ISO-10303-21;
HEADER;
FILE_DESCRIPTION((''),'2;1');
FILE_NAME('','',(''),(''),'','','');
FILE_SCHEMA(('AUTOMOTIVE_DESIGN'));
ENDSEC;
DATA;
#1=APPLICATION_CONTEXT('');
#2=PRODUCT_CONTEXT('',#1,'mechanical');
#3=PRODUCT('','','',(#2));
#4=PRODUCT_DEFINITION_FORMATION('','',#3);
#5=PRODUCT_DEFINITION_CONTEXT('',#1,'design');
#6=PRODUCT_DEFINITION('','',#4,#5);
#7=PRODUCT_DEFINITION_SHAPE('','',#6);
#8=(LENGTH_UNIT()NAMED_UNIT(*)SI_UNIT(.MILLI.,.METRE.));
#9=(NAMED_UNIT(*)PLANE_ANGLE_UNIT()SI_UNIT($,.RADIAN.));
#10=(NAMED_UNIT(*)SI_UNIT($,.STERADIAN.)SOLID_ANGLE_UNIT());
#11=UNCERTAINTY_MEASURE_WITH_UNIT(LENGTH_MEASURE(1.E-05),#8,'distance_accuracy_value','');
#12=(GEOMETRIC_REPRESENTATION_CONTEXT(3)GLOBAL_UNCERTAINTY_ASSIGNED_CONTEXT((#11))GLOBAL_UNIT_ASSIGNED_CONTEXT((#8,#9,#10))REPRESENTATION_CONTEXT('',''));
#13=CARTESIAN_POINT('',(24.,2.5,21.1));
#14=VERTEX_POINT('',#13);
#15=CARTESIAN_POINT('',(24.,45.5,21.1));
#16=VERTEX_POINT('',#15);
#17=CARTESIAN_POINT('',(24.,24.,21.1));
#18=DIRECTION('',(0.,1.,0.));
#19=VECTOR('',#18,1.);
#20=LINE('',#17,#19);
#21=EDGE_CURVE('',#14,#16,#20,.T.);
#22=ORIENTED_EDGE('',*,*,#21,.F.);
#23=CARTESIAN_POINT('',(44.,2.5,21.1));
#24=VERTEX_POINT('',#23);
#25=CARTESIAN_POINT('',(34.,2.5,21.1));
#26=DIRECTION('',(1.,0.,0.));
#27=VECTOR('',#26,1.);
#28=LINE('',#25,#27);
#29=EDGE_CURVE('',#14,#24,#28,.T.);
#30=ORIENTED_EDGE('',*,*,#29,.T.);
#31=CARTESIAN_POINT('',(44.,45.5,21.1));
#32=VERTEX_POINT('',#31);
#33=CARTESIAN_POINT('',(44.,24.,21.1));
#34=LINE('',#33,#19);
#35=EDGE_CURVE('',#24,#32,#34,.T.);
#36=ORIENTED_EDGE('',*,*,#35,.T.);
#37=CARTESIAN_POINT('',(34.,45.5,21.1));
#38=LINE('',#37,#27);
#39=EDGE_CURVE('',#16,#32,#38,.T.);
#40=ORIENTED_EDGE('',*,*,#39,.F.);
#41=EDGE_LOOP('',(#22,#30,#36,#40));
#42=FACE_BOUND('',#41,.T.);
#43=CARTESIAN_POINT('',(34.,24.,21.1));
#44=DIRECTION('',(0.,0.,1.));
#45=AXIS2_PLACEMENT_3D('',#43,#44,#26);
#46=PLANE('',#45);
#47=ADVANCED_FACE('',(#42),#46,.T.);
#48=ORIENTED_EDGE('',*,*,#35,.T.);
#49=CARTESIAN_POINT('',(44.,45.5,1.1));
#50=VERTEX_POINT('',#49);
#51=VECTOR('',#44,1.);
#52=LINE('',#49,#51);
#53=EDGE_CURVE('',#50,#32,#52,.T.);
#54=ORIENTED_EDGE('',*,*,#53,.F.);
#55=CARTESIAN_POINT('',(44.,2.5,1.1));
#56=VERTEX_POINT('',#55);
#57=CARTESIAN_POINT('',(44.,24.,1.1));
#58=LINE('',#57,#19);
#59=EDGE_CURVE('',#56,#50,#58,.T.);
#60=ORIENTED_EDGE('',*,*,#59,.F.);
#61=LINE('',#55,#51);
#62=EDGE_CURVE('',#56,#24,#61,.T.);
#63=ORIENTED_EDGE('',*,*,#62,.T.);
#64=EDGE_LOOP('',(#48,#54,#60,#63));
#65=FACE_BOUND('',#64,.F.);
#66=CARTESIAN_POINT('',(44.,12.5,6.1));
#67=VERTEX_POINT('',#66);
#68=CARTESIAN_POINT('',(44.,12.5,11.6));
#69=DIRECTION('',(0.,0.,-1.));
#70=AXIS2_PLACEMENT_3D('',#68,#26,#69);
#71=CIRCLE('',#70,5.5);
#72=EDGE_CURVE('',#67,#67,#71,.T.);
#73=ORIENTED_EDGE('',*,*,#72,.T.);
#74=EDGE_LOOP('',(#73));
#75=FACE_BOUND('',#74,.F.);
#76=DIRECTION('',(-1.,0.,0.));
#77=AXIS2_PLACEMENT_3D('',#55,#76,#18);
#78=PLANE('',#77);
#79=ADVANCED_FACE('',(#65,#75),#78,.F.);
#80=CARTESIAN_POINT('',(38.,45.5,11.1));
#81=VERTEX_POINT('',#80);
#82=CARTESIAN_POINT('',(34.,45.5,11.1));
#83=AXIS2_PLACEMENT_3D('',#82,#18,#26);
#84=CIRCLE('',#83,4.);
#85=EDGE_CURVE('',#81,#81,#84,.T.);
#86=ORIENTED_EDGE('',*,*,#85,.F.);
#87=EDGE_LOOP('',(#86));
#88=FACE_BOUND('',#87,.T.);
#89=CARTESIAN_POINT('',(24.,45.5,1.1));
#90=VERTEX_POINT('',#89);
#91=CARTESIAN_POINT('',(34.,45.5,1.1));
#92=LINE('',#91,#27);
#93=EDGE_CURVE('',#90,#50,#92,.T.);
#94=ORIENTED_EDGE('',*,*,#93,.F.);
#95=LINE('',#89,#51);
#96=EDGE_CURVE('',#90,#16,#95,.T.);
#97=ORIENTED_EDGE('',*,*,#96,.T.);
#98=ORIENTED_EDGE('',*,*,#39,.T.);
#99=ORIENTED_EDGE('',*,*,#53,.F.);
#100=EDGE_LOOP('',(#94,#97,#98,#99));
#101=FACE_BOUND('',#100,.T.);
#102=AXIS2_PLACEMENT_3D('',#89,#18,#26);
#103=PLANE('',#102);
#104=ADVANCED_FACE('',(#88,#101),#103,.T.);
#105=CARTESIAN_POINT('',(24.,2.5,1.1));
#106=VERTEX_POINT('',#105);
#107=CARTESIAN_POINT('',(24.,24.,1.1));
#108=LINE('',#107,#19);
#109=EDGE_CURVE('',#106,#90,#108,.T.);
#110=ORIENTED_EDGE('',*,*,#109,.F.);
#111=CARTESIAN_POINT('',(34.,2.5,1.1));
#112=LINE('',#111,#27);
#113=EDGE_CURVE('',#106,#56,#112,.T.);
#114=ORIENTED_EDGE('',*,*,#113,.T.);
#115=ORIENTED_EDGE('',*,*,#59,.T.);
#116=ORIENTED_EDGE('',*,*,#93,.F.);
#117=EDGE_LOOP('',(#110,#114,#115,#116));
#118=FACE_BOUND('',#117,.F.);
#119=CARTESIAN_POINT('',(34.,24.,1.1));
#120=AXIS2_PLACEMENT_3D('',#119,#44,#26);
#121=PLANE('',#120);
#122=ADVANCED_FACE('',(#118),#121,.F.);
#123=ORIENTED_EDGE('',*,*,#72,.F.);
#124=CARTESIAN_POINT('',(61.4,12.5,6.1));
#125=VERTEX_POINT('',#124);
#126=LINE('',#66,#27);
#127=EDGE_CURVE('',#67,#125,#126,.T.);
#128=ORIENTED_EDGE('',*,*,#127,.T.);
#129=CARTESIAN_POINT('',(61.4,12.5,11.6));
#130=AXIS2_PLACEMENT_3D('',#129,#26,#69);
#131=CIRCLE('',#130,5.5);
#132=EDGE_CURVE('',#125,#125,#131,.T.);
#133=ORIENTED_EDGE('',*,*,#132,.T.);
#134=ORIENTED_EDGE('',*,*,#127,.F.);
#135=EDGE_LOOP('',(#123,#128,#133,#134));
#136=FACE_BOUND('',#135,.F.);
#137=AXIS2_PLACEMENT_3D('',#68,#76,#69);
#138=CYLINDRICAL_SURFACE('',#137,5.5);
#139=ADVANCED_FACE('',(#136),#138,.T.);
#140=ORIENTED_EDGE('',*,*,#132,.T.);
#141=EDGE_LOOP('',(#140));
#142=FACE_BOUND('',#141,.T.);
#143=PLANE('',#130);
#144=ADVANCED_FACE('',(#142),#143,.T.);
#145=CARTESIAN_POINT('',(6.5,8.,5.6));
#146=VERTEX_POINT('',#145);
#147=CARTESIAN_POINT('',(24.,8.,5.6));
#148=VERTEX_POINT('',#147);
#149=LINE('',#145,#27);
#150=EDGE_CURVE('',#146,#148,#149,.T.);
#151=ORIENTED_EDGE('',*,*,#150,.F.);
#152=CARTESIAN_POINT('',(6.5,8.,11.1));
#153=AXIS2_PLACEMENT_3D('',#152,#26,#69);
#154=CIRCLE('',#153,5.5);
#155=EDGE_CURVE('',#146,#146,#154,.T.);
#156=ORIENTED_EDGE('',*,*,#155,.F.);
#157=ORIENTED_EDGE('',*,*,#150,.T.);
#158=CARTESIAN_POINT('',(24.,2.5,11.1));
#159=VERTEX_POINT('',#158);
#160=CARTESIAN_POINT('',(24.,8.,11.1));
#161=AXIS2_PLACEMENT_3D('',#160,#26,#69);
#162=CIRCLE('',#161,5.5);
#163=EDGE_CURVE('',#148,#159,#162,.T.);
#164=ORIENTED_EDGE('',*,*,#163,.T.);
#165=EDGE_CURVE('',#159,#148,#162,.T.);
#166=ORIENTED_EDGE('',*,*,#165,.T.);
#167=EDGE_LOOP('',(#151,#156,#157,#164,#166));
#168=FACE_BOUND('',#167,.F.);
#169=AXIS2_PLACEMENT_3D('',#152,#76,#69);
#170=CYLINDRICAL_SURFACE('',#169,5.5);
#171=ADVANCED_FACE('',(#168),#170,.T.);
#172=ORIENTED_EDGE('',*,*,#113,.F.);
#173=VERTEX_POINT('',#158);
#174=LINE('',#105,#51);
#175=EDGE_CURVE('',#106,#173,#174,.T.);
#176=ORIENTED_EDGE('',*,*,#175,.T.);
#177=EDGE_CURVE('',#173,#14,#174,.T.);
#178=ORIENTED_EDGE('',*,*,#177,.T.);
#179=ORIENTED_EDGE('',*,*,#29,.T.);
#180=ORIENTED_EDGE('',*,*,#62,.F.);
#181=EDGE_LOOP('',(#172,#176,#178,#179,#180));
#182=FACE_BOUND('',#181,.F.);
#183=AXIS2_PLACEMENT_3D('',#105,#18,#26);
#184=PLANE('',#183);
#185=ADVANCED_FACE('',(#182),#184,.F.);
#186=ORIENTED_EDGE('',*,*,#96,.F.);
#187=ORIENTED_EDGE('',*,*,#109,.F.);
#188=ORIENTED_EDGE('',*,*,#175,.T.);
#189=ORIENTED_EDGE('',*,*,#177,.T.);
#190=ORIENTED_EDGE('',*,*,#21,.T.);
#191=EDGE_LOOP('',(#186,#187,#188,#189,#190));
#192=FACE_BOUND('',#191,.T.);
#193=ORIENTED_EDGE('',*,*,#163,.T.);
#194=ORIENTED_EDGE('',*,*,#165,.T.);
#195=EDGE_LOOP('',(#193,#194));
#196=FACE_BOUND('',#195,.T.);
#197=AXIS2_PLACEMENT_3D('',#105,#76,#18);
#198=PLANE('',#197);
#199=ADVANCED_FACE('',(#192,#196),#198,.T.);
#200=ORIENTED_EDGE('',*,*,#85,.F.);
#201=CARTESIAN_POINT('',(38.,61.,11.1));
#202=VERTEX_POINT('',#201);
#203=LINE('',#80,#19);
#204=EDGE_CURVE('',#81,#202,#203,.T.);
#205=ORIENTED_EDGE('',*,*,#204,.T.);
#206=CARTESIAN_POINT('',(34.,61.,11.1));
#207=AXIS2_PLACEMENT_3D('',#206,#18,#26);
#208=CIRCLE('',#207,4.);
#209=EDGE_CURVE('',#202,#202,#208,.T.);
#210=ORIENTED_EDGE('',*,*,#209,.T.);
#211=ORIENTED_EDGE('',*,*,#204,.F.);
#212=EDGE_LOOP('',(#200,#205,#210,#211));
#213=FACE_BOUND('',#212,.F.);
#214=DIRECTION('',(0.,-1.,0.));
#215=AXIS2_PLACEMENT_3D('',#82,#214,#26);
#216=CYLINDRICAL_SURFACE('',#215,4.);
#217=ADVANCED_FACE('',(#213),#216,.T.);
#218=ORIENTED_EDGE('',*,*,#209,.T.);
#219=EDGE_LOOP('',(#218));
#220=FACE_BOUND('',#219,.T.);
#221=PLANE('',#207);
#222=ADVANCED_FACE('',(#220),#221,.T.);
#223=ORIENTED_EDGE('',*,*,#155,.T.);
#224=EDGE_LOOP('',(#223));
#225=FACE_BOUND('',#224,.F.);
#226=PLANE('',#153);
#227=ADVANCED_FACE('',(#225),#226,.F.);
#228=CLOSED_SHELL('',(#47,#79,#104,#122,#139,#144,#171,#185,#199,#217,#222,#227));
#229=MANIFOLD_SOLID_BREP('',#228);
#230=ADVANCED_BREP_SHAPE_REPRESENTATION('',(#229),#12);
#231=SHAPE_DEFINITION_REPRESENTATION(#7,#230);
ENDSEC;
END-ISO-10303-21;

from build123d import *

# Parameters (mm, degrees)
BOX008_W                = 20
BOX008_H                = 43
BOX008_DEPTH            = 20
CYLINDER001_R           = 5.5
CYLINDER001_DEPTH       = 17.4
CYLINDER001_PITCH_ANGLE = 90
CYLINDER002_R           = 4
CYLINDER002_DEPTH       = 15.5
CYLINDER002_ROLL_ANGLE  = -90
CYLINDER_R              = 5.5
CYLINDER_DEPTH          = 17.5
CYLINDER_PITCH_ANGLE    = 90


with BuildPart() as e_valve_body:
    # Box008 → Box008 (new body)
    with BuildSketch(Plane(origin=(24, 0, 0), x_dir=(1, 0, 0), z_dir=(0, 0, 1))):
        with Locations((10, 21.5)):
            Rectangle(BOX008_W, BOX008_H)
    extrude(amount=BOX008_DEPTH)


with BuildPart() as o2out:
    # Cylinder001 → Cylinder001 (new body)
    with BuildSketch(Plane.XY):
        Circle(CYLINDER001_R)
    extrude(amount=CYLINDER001_DEPTH)


with BuildPart() as o2out_1:
    # Cylinder001 pitch: moved
    add(o2out.part.rotate(Axis((0, 0, 0), (0, 1, 0)), CYLINDER001_PITCH_ANGLE))


with BuildPart() as o2out_2:
    # Cylinder001 placement: moved
    add(o2out_1.part.moved(Location((44, 10, 10.5))))


with BuildPart() as o2sense:
    # Cylinder002 → Cylinder002 (new body)
    with BuildSketch(Plane.XY):
        Circle(CYLINDER002_R)
    extrude(amount=CYLINDER002_DEPTH)


with BuildPart() as o2sense_1:
    # Cylinder002 roll: moved
    add(o2sense.part.rotate(Axis((0, 0, 0), (1, 0, 0)), CYLINDER002_ROLL_ANGLE))


with BuildPart() as o2sense_2:
    # Cylinder002 placement: moved
    add(o2sense_1.part.moved(Location((34, 43, 10))))


with BuildPart() as e_valve:
    # Cylinder → Cylinder (new body)
    with BuildSketch(Plane.XY):
        Circle(CYLINDER_R)
    extrude(amount=CYLINDER_DEPTH)


with BuildPart() as e_valve_1:
    # Cylinder pitch: moved
    add(e_valve.part.rotate(Axis((0, 0, 0), (0, 1, 0)), CYLINDER_PITCH_ANGLE))


with BuildPart() as e_valve_2:
    # Cylinder placement: moved
    add(e_valve_1.part.moved(Location((6.5, 5.5, 10))))

    # Fusion: union e-valve body, O2out, O2sense
    add(e_valve_body.part)
    add(o2out_2.part)
    add(o2sense_2.part)


with BuildPart() as e_valve_3:
    # Fusion placement: moved
    add(e_valve_2.part.moved(Location((0, 2.5, 1.1))))


solid = e_valve_3.part
